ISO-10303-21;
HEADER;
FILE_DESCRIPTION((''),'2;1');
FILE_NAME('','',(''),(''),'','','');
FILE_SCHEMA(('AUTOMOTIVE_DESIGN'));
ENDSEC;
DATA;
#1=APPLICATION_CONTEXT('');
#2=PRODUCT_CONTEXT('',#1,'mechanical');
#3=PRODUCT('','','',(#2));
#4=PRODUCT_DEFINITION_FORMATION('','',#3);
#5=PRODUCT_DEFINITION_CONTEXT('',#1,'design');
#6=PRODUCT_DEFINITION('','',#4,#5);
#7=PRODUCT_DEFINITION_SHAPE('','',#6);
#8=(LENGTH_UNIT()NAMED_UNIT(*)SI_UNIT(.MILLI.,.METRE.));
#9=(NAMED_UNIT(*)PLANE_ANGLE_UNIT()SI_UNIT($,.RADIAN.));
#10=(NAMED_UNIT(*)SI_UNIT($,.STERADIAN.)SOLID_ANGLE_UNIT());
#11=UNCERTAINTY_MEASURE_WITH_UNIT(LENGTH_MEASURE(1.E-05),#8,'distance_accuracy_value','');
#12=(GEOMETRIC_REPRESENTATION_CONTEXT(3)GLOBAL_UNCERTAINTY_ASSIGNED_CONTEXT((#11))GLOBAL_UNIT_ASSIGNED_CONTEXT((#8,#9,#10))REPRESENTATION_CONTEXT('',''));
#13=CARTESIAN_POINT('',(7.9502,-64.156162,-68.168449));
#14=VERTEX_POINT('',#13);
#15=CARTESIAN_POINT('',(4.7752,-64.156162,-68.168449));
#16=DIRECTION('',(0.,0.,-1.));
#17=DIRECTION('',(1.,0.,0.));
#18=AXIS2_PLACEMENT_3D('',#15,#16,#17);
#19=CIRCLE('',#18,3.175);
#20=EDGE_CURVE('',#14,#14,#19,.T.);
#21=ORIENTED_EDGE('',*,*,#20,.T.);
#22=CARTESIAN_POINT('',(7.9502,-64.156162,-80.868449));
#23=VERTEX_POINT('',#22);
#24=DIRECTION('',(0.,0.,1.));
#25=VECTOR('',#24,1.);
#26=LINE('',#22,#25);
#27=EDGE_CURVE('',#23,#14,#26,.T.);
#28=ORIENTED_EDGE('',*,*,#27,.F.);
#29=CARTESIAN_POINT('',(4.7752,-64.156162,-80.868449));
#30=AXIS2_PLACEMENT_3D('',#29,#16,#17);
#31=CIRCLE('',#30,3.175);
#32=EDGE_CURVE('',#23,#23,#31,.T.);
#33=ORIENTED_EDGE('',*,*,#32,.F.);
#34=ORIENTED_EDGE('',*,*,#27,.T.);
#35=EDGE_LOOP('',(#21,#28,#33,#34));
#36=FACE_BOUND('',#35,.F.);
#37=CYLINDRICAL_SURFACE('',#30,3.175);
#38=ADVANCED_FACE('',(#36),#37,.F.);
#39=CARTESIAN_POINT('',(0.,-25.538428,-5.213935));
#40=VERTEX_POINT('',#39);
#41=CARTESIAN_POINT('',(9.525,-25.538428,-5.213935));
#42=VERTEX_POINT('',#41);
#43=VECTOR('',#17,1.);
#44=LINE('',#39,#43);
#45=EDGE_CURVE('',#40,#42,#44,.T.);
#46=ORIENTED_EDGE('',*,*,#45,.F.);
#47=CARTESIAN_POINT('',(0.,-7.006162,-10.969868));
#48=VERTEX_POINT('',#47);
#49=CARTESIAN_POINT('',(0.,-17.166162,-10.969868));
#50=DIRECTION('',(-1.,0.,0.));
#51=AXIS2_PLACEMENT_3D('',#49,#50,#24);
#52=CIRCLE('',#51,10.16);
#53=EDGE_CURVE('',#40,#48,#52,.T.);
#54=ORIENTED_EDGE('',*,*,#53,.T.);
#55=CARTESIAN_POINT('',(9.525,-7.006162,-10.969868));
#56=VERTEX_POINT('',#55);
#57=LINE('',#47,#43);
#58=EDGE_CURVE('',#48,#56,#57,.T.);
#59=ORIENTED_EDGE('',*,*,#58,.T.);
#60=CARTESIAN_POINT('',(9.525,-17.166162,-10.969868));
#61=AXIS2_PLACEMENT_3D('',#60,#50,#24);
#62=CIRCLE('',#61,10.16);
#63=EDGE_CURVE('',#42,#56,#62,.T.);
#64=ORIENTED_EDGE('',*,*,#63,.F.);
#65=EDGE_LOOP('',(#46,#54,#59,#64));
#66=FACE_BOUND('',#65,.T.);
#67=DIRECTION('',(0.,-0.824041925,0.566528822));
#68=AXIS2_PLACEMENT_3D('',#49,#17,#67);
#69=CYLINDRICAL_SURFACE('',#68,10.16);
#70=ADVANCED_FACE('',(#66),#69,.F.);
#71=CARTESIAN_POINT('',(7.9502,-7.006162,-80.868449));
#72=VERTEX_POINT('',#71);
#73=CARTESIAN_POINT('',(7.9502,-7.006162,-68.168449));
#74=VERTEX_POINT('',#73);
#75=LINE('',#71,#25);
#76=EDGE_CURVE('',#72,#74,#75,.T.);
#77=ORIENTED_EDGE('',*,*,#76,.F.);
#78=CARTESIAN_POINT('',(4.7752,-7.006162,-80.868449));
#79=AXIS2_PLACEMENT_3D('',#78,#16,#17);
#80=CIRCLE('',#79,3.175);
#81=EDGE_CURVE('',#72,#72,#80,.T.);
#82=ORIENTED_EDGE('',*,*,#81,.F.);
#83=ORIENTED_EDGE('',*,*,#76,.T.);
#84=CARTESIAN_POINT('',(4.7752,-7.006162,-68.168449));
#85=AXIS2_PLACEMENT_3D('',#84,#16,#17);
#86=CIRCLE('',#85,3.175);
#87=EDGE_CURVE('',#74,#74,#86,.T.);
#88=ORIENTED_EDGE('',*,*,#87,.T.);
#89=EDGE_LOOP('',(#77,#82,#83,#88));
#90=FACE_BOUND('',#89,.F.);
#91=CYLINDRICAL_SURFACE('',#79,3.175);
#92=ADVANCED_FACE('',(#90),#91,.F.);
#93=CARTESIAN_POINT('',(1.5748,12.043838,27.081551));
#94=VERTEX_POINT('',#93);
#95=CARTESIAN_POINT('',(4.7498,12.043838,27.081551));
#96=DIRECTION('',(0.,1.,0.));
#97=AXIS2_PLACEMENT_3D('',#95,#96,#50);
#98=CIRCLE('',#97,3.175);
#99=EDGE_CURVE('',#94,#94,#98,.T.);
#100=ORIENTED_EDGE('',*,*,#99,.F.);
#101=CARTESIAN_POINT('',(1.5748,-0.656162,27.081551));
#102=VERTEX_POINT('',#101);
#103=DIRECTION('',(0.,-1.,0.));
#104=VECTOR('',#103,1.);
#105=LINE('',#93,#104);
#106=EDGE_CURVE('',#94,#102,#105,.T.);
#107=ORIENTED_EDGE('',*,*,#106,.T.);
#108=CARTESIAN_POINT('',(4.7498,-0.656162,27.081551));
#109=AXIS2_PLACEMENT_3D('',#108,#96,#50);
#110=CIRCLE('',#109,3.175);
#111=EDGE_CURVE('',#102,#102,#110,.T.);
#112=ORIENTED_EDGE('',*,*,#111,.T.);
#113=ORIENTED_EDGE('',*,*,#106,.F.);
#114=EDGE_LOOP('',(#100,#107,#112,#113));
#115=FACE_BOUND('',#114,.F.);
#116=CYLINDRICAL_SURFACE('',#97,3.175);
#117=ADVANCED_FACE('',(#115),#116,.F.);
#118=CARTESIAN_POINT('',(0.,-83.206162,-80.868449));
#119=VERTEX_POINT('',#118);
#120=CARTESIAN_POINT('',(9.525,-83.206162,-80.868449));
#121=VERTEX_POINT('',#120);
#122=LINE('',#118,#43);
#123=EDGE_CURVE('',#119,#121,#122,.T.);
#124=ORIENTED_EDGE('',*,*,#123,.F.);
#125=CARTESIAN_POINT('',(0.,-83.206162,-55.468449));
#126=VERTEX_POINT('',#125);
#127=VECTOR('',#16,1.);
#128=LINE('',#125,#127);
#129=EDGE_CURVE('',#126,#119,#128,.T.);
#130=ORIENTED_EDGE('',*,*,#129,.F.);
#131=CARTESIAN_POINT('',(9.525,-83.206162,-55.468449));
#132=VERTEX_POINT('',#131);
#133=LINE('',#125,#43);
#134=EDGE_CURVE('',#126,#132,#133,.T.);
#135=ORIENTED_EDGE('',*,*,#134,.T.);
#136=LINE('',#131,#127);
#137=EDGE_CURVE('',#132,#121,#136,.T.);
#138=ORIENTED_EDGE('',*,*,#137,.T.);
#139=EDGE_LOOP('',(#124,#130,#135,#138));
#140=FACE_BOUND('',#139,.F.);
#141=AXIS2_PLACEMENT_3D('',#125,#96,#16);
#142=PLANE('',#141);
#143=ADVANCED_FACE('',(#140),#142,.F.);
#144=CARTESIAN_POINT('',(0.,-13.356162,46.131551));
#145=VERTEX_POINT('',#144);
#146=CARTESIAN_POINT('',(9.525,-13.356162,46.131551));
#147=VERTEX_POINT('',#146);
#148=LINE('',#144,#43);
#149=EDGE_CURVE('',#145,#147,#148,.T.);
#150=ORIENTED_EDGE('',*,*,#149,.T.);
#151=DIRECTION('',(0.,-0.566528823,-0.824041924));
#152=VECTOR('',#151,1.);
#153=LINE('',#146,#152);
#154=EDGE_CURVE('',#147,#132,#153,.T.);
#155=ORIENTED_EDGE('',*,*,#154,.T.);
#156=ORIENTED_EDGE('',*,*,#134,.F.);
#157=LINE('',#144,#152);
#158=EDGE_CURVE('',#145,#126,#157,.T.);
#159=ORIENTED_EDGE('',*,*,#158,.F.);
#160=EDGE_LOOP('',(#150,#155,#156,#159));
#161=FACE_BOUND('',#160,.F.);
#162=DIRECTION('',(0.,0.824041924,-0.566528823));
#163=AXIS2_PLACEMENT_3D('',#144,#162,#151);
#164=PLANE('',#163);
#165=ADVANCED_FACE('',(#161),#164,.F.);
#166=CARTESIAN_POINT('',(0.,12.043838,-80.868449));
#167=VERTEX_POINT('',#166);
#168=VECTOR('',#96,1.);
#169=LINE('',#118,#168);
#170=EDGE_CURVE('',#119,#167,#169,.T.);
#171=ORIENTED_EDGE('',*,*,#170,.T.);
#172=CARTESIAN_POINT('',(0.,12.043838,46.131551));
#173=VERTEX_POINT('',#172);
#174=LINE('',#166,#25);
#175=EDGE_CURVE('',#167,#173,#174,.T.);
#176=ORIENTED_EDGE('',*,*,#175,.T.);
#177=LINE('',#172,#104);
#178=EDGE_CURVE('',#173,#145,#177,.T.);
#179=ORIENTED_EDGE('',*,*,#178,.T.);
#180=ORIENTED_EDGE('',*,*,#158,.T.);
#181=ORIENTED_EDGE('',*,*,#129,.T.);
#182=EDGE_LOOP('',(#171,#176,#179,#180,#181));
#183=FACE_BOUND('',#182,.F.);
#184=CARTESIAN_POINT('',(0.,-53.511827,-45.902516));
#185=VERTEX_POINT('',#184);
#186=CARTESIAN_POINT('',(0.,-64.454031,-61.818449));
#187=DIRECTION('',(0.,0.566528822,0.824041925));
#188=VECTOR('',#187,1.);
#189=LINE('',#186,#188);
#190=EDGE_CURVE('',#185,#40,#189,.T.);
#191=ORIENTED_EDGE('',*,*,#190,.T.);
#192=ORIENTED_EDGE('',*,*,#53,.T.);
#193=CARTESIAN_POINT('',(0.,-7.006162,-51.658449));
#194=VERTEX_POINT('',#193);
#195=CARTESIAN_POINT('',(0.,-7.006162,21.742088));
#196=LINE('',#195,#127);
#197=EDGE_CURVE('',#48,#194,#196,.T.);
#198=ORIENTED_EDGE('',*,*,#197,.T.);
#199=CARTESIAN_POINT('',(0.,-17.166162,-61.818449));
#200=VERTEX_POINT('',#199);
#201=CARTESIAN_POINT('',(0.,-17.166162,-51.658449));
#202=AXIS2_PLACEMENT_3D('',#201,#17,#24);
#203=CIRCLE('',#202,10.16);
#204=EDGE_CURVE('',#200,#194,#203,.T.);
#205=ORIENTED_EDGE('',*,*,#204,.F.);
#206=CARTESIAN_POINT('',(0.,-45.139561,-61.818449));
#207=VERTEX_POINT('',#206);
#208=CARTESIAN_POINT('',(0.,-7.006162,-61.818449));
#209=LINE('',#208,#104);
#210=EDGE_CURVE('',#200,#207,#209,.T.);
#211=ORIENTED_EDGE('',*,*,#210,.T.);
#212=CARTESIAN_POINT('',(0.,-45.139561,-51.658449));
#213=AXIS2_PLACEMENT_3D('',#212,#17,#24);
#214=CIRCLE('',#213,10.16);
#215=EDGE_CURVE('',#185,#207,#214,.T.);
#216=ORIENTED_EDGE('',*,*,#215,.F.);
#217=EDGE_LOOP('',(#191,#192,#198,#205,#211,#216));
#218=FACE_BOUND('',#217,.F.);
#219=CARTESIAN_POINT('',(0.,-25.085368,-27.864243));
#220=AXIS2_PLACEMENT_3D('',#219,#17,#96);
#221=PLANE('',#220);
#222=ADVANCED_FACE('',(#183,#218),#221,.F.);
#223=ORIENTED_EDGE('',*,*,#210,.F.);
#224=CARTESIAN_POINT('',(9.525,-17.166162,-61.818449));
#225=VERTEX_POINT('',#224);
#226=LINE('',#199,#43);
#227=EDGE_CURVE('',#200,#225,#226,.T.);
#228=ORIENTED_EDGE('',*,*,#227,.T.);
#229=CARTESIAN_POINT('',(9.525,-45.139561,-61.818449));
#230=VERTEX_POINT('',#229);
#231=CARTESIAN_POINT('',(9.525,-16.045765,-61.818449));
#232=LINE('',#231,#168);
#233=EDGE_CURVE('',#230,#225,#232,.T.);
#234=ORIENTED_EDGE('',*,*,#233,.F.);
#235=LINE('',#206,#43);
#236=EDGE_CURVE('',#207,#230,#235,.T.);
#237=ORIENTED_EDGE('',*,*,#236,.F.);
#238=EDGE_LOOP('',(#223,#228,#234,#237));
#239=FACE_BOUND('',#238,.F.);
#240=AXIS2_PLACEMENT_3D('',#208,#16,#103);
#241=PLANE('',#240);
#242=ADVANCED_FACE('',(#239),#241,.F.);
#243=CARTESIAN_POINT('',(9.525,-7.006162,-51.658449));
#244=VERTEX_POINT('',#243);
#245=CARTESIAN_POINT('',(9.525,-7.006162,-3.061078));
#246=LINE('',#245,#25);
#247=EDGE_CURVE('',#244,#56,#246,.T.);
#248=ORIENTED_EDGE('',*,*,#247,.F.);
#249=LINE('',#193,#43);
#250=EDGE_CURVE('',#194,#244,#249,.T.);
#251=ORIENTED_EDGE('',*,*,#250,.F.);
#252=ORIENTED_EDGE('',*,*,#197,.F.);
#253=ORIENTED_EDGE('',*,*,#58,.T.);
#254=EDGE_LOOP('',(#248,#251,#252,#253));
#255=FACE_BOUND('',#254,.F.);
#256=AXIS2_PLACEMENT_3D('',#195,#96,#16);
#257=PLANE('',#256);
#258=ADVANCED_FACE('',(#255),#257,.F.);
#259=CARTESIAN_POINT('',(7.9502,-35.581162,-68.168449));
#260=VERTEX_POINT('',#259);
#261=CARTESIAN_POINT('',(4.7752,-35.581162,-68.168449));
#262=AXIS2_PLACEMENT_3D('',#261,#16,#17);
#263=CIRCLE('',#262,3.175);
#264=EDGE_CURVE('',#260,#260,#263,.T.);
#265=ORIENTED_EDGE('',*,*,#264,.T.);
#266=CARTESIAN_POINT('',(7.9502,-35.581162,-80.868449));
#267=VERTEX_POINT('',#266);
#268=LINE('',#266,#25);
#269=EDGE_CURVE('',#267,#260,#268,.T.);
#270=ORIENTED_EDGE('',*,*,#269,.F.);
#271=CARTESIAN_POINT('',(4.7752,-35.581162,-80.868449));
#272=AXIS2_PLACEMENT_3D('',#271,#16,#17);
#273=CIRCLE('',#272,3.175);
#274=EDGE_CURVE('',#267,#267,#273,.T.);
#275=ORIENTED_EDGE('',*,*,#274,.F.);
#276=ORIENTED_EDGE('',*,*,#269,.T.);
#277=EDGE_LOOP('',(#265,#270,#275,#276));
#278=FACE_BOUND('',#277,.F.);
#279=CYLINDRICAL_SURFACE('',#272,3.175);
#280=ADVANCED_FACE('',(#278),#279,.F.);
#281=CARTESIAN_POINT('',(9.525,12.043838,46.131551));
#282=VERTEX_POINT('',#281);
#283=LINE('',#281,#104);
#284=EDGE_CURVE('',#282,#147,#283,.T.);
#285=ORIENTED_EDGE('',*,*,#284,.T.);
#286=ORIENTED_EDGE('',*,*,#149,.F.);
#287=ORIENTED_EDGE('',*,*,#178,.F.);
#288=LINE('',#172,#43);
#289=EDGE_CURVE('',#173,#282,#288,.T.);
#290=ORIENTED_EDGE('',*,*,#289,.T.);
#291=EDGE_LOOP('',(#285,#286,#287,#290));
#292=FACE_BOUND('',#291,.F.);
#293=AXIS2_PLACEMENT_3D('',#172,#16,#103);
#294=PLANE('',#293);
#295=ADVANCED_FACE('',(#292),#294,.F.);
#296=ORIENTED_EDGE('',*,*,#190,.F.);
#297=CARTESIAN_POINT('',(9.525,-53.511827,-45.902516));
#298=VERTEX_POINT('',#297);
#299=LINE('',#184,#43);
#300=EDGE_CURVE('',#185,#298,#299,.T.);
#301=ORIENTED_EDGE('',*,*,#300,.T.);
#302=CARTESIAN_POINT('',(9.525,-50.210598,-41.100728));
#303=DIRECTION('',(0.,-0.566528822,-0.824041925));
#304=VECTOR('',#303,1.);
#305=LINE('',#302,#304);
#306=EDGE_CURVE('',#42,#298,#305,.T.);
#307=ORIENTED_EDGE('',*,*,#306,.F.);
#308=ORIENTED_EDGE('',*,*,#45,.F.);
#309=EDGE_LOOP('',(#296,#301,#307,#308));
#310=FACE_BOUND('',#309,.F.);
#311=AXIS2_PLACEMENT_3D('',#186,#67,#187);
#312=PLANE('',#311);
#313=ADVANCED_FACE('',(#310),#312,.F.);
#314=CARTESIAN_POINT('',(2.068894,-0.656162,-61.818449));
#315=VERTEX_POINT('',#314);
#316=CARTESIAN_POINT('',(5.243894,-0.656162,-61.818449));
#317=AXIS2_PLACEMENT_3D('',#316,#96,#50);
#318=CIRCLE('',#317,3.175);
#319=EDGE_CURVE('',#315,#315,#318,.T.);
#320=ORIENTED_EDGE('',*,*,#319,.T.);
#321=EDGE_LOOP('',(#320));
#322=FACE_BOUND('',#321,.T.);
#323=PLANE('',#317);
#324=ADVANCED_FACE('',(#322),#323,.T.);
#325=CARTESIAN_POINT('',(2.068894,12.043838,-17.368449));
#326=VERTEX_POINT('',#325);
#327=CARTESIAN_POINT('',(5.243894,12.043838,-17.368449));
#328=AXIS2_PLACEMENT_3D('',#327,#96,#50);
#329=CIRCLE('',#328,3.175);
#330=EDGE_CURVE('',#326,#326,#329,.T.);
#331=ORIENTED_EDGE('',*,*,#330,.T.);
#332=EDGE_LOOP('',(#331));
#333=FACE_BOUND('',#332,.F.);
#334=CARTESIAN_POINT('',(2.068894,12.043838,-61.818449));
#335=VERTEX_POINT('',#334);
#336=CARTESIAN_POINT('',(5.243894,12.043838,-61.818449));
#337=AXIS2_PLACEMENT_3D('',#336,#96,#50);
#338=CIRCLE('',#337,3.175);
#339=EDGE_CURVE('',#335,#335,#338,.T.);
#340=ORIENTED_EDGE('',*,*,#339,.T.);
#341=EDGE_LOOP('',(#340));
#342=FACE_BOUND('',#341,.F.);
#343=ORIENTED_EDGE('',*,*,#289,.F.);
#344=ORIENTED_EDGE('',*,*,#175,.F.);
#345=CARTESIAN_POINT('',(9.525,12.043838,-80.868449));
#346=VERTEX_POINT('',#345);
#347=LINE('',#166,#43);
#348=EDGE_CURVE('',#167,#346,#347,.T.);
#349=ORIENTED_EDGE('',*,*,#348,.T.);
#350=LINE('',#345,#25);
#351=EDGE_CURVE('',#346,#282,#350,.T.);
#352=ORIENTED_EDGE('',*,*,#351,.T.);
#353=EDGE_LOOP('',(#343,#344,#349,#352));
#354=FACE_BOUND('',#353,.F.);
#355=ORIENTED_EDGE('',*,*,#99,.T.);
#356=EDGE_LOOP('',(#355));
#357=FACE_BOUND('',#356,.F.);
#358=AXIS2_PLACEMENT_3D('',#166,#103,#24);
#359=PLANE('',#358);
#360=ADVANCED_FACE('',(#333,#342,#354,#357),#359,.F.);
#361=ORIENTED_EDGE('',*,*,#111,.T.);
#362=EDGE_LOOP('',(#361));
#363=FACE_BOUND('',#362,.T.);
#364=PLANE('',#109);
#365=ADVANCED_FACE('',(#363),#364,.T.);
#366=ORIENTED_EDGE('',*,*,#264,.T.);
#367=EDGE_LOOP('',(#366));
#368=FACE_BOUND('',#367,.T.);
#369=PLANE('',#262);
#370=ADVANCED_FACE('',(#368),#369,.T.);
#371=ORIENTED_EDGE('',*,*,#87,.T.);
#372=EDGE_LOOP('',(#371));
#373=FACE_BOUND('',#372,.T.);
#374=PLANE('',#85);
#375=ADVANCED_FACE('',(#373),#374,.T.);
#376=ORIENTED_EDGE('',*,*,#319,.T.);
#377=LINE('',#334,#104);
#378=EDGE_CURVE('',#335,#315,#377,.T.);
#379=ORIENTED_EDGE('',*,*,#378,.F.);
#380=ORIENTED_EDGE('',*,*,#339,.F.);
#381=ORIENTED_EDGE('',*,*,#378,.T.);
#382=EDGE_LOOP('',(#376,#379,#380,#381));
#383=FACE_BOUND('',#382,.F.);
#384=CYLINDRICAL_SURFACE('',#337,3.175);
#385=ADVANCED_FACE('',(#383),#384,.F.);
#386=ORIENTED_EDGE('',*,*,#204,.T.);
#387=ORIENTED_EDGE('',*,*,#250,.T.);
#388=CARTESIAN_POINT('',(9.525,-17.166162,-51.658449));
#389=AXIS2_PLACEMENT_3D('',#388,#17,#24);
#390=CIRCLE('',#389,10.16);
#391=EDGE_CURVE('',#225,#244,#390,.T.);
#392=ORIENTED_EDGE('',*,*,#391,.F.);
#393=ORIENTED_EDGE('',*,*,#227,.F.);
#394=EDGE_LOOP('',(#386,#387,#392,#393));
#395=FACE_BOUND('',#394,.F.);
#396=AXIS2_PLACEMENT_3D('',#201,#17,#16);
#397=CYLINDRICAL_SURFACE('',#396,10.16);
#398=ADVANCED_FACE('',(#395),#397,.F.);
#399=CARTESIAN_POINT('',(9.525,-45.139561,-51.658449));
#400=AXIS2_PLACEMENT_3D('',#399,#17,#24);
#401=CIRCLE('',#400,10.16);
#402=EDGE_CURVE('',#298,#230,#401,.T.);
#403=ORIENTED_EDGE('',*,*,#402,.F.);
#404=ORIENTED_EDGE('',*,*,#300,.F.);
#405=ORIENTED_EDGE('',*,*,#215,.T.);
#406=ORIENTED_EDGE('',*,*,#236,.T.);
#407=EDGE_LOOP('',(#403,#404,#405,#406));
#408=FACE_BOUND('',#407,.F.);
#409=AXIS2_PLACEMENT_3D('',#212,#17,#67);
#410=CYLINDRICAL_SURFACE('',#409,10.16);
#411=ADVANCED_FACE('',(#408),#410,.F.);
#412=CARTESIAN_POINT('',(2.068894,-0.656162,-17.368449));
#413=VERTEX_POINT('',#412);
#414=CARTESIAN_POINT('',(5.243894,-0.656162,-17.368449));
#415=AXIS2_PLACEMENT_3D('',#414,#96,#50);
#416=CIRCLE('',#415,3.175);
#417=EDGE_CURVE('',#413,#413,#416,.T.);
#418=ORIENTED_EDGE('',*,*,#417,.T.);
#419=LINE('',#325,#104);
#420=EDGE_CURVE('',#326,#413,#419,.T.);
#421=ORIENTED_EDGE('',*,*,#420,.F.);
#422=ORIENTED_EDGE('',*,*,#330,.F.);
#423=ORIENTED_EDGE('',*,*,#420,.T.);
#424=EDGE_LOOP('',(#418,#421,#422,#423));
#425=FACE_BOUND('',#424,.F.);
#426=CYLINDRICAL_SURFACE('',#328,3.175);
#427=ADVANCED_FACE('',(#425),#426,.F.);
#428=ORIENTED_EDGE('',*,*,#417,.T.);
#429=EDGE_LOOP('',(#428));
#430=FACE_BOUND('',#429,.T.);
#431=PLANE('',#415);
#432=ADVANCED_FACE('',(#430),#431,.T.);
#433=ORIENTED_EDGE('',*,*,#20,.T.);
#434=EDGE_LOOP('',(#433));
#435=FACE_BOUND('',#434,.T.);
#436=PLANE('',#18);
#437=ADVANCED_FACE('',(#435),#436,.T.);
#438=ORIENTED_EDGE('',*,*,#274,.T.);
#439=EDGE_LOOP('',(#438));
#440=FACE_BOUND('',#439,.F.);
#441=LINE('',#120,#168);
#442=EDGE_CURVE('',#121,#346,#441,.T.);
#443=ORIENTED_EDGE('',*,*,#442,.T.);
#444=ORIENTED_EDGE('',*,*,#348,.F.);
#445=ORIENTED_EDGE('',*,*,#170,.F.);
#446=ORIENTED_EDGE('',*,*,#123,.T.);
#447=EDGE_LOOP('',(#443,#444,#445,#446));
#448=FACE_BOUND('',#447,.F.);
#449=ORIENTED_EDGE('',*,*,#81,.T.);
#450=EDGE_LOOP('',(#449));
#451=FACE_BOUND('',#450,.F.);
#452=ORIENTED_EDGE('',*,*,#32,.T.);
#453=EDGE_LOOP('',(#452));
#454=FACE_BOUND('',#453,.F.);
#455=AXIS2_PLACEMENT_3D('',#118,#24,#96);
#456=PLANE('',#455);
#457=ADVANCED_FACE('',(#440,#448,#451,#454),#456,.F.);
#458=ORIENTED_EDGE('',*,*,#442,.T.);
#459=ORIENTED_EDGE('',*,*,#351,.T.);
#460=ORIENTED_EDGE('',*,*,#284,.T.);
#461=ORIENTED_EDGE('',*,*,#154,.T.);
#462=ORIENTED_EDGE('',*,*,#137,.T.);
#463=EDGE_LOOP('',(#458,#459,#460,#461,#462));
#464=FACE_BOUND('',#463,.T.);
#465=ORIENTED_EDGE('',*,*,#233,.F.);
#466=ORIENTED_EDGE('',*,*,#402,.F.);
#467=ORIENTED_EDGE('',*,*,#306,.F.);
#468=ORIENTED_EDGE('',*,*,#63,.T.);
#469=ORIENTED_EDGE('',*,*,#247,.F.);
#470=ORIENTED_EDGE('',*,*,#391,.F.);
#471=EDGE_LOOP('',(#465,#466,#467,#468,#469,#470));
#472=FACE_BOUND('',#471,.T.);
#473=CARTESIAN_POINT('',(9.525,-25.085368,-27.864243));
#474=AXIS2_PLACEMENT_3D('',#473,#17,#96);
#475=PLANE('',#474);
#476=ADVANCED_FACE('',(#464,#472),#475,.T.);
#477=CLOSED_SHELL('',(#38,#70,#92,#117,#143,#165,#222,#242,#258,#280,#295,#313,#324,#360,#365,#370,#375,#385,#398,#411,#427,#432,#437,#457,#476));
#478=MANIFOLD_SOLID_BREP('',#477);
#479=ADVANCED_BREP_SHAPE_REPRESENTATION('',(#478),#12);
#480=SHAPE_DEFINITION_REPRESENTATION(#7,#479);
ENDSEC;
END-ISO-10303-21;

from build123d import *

# Parameters (mm, degrees)
F1_DEPTH  = 9.525
F3_DEPTH  = 9.526
F4_R      = 10.16
F5_R      = 10.16
F6_R      = 10.16
F7_R      = 3.175
F9_DEPTH  = 12.7
F8_R      = 3.175
F10_DEPTH = 12.7


with BuildPart() as f1:
    # F0 (on Right) → F1 (new body)
    with BuildSketch(Plane.YZ):
        Polygon((12.043838, -80.868449), (12.043838, 46.131551), (-13.356162, 46.131551), (-83.206162, -55.468449), (-83.206162, -80.868449), align=None)
    extrude(amount=F1_DEPTH)

    # F2 (on face) → F3 (cut, through all)
    with BuildSketch(Plane(origin=(0, 0, 0), x_dir=(0, -1, 0), z_dir=(-1, 0, 0))):
        Polygon((7.006162, 21.742088), (7.006162, -61.818449), (64.454031, -61.818449), align=None)
    extrude(amount=-F3_DEPTH, mode=Mode.SUBTRACT)

    # F4
    f4_edges = [f1.edges().sort_by_distance(p)[0] for p in [
        (4.7625, -7.006162, -61.818449),
    ]]
    fillet(f4_edges, radius=F4_R)

    # F5
    f5_edges = [f1.edges().sort_by_distance(p)[0] for p in [
        (4.7625, -7.006162, 21.742088),
    ]]
    fillet(f5_edges, radius=F5_R)

    # F6
    f6_edges = [f1.edges().sort_by_distance(p)[0] for p in [
        (4.7625, -64.454031, -61.818449),
    ]]
    fillet(f6_edges, radius=F6_R)

    # F7 (on face) → F9 (cut)
    with BuildSketch(Plane(origin=(0, 12.043838, 0), x_dir=(-1, 0, 0), z_dir=(0, 1, 0))):
        with Locations((-5.243894, -17.368449)):
            Circle(F7_R)
        with Locations((-5.243894, -61.818449)):
            Circle(F7_R)
        with Locations((-4.7498, 27.081551)):
            Circle(F7_R)
    extrude(amount=-F9_DEPTH, mode=Mode.SUBTRACT)

    # F8 (on face) → F10 (cut)
    with BuildSketch(Plane(origin=(0, 0, -80.868449), x_dir=(1, 0, 0), z_dir=(0, 0, -1))):
        with Locations((4.7752, 7.006162)):
            Circle(F8_R)
        with Locations((4.7752, 35.581162)):
            Circle(F8_R)
        with Locations((4.7752, 64.156162)):
            Circle(F8_R)
    extrude(amount=-F10_DEPTH, mode=Mode.SUBTRACT)


solid = f1.part
